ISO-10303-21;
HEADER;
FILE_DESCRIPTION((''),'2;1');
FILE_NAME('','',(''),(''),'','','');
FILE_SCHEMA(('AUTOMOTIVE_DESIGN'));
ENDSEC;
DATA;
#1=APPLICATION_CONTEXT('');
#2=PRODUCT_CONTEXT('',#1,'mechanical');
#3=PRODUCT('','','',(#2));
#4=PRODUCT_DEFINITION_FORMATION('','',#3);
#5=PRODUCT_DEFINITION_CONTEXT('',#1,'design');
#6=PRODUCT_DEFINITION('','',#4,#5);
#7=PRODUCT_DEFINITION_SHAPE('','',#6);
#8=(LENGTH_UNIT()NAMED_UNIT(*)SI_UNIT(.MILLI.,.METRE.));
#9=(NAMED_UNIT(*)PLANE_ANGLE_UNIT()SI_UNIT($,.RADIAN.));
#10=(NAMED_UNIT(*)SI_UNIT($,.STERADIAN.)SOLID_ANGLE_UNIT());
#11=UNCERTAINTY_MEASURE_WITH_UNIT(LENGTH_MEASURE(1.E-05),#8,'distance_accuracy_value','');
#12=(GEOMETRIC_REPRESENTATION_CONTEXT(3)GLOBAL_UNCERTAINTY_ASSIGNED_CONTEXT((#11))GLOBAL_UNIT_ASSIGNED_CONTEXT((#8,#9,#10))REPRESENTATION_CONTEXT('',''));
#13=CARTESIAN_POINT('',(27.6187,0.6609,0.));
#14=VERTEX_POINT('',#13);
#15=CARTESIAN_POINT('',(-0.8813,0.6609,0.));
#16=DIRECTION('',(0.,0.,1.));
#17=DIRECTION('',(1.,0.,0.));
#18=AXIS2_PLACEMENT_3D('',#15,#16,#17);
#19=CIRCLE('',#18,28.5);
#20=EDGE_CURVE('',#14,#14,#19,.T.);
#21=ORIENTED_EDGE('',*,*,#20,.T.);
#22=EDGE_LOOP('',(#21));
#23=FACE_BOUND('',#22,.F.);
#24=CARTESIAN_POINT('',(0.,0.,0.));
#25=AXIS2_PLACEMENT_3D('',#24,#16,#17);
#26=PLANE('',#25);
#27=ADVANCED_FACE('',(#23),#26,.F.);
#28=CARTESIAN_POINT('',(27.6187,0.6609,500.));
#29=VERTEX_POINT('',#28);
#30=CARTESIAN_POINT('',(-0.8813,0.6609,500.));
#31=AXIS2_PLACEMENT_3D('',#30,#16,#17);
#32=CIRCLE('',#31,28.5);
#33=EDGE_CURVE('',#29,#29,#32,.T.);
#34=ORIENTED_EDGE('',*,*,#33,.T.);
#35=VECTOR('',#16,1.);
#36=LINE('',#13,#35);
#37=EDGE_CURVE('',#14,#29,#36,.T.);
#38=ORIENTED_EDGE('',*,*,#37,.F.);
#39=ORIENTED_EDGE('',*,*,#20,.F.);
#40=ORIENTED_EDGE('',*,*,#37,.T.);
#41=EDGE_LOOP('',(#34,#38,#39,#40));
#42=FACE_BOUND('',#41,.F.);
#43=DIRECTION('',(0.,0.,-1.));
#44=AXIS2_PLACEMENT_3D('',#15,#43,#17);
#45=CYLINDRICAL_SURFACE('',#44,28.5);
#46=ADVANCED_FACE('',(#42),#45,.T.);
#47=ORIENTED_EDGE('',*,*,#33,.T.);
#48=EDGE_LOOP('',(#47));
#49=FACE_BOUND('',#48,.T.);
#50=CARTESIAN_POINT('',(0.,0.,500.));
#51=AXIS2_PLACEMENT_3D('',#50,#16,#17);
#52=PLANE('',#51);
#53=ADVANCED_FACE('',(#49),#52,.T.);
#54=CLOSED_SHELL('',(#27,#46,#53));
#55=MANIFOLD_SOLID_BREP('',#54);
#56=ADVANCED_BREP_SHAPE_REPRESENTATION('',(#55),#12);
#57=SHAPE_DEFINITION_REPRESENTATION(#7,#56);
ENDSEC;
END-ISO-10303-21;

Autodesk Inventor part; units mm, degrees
ref_plane "YZ Plane" through (0, 0, 0) normal (1, 0, 0) x (0, 1, 0)
ref_plane "XZ Plane" through (0, 0, 0) normal (0, 1, 0) x (-1, 0, 0)
ref_plane "XY Plane" through (0, 0, 0) normal (0, 0, 1) x (1, 0, 0)
sketch "Boceto1" plane through (0, 0, 0) normal (0, 0, 1) x (1, 0, 0)
  circle A0 centre (-0.8813, 0.6609) radius 28.5
  point P0 (0, 0)
  dimension "d0" = 57
  dimension "d0" = 57
extrude "Extrusión1" add sketch "Boceto1" along normal blind 500
properties part number "eje"
